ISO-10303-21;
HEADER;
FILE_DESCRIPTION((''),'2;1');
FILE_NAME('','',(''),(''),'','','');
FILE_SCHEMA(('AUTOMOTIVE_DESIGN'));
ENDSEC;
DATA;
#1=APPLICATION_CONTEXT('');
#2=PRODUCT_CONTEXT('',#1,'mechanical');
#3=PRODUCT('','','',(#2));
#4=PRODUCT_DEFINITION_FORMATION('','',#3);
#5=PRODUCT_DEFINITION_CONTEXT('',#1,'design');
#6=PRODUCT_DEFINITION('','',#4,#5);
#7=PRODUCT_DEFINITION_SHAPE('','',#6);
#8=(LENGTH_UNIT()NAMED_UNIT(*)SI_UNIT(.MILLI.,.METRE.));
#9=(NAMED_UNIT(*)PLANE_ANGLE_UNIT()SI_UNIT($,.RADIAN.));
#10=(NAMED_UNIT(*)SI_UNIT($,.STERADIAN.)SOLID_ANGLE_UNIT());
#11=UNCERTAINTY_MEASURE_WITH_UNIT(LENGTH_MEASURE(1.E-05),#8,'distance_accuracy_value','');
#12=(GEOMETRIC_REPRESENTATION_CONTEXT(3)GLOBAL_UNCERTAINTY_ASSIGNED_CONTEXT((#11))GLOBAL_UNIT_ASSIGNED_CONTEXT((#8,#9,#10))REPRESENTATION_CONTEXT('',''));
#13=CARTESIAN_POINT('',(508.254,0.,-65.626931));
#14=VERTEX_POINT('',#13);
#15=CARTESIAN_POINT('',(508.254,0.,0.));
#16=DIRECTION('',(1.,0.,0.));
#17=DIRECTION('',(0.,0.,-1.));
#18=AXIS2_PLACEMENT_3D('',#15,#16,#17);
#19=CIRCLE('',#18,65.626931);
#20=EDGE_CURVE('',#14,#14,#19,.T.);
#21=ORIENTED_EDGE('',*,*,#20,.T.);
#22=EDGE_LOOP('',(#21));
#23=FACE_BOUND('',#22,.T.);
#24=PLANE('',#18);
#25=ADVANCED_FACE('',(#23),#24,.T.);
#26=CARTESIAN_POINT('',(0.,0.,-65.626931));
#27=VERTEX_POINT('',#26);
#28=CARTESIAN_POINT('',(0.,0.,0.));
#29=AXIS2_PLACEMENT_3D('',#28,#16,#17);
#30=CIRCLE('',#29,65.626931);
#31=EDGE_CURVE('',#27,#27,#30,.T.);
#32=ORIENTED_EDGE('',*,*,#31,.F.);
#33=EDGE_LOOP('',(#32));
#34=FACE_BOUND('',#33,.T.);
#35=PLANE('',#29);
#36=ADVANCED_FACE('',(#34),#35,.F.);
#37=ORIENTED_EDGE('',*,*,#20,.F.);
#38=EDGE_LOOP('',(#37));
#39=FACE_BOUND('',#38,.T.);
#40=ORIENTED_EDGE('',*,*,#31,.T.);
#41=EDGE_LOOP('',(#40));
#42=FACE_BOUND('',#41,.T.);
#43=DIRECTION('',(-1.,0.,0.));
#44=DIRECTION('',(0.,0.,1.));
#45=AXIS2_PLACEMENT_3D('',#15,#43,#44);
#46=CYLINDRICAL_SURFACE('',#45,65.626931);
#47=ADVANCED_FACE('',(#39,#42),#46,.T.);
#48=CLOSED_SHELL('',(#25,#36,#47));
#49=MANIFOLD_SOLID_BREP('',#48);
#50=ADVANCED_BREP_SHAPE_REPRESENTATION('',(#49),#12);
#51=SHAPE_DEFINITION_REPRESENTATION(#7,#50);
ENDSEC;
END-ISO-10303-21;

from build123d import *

# Parameters (mm, degrees)
SKETCH3_R           = 65.626931081
BOSS_EXTRUDE2_DEPTH = 508.254


with BuildPart() as part:
    # Sketch3 → Boss-Extrude2 (new body)
    with BuildSketch(Plane(origin=(0, 0, 0), x_dir=(0, 0, -1), z_dir=(1, 0, 0))):
        Circle(SKETCH3_R)
    extrude(amount=BOSS_EXTRUDE2_DEPTH)


solid = part.part
